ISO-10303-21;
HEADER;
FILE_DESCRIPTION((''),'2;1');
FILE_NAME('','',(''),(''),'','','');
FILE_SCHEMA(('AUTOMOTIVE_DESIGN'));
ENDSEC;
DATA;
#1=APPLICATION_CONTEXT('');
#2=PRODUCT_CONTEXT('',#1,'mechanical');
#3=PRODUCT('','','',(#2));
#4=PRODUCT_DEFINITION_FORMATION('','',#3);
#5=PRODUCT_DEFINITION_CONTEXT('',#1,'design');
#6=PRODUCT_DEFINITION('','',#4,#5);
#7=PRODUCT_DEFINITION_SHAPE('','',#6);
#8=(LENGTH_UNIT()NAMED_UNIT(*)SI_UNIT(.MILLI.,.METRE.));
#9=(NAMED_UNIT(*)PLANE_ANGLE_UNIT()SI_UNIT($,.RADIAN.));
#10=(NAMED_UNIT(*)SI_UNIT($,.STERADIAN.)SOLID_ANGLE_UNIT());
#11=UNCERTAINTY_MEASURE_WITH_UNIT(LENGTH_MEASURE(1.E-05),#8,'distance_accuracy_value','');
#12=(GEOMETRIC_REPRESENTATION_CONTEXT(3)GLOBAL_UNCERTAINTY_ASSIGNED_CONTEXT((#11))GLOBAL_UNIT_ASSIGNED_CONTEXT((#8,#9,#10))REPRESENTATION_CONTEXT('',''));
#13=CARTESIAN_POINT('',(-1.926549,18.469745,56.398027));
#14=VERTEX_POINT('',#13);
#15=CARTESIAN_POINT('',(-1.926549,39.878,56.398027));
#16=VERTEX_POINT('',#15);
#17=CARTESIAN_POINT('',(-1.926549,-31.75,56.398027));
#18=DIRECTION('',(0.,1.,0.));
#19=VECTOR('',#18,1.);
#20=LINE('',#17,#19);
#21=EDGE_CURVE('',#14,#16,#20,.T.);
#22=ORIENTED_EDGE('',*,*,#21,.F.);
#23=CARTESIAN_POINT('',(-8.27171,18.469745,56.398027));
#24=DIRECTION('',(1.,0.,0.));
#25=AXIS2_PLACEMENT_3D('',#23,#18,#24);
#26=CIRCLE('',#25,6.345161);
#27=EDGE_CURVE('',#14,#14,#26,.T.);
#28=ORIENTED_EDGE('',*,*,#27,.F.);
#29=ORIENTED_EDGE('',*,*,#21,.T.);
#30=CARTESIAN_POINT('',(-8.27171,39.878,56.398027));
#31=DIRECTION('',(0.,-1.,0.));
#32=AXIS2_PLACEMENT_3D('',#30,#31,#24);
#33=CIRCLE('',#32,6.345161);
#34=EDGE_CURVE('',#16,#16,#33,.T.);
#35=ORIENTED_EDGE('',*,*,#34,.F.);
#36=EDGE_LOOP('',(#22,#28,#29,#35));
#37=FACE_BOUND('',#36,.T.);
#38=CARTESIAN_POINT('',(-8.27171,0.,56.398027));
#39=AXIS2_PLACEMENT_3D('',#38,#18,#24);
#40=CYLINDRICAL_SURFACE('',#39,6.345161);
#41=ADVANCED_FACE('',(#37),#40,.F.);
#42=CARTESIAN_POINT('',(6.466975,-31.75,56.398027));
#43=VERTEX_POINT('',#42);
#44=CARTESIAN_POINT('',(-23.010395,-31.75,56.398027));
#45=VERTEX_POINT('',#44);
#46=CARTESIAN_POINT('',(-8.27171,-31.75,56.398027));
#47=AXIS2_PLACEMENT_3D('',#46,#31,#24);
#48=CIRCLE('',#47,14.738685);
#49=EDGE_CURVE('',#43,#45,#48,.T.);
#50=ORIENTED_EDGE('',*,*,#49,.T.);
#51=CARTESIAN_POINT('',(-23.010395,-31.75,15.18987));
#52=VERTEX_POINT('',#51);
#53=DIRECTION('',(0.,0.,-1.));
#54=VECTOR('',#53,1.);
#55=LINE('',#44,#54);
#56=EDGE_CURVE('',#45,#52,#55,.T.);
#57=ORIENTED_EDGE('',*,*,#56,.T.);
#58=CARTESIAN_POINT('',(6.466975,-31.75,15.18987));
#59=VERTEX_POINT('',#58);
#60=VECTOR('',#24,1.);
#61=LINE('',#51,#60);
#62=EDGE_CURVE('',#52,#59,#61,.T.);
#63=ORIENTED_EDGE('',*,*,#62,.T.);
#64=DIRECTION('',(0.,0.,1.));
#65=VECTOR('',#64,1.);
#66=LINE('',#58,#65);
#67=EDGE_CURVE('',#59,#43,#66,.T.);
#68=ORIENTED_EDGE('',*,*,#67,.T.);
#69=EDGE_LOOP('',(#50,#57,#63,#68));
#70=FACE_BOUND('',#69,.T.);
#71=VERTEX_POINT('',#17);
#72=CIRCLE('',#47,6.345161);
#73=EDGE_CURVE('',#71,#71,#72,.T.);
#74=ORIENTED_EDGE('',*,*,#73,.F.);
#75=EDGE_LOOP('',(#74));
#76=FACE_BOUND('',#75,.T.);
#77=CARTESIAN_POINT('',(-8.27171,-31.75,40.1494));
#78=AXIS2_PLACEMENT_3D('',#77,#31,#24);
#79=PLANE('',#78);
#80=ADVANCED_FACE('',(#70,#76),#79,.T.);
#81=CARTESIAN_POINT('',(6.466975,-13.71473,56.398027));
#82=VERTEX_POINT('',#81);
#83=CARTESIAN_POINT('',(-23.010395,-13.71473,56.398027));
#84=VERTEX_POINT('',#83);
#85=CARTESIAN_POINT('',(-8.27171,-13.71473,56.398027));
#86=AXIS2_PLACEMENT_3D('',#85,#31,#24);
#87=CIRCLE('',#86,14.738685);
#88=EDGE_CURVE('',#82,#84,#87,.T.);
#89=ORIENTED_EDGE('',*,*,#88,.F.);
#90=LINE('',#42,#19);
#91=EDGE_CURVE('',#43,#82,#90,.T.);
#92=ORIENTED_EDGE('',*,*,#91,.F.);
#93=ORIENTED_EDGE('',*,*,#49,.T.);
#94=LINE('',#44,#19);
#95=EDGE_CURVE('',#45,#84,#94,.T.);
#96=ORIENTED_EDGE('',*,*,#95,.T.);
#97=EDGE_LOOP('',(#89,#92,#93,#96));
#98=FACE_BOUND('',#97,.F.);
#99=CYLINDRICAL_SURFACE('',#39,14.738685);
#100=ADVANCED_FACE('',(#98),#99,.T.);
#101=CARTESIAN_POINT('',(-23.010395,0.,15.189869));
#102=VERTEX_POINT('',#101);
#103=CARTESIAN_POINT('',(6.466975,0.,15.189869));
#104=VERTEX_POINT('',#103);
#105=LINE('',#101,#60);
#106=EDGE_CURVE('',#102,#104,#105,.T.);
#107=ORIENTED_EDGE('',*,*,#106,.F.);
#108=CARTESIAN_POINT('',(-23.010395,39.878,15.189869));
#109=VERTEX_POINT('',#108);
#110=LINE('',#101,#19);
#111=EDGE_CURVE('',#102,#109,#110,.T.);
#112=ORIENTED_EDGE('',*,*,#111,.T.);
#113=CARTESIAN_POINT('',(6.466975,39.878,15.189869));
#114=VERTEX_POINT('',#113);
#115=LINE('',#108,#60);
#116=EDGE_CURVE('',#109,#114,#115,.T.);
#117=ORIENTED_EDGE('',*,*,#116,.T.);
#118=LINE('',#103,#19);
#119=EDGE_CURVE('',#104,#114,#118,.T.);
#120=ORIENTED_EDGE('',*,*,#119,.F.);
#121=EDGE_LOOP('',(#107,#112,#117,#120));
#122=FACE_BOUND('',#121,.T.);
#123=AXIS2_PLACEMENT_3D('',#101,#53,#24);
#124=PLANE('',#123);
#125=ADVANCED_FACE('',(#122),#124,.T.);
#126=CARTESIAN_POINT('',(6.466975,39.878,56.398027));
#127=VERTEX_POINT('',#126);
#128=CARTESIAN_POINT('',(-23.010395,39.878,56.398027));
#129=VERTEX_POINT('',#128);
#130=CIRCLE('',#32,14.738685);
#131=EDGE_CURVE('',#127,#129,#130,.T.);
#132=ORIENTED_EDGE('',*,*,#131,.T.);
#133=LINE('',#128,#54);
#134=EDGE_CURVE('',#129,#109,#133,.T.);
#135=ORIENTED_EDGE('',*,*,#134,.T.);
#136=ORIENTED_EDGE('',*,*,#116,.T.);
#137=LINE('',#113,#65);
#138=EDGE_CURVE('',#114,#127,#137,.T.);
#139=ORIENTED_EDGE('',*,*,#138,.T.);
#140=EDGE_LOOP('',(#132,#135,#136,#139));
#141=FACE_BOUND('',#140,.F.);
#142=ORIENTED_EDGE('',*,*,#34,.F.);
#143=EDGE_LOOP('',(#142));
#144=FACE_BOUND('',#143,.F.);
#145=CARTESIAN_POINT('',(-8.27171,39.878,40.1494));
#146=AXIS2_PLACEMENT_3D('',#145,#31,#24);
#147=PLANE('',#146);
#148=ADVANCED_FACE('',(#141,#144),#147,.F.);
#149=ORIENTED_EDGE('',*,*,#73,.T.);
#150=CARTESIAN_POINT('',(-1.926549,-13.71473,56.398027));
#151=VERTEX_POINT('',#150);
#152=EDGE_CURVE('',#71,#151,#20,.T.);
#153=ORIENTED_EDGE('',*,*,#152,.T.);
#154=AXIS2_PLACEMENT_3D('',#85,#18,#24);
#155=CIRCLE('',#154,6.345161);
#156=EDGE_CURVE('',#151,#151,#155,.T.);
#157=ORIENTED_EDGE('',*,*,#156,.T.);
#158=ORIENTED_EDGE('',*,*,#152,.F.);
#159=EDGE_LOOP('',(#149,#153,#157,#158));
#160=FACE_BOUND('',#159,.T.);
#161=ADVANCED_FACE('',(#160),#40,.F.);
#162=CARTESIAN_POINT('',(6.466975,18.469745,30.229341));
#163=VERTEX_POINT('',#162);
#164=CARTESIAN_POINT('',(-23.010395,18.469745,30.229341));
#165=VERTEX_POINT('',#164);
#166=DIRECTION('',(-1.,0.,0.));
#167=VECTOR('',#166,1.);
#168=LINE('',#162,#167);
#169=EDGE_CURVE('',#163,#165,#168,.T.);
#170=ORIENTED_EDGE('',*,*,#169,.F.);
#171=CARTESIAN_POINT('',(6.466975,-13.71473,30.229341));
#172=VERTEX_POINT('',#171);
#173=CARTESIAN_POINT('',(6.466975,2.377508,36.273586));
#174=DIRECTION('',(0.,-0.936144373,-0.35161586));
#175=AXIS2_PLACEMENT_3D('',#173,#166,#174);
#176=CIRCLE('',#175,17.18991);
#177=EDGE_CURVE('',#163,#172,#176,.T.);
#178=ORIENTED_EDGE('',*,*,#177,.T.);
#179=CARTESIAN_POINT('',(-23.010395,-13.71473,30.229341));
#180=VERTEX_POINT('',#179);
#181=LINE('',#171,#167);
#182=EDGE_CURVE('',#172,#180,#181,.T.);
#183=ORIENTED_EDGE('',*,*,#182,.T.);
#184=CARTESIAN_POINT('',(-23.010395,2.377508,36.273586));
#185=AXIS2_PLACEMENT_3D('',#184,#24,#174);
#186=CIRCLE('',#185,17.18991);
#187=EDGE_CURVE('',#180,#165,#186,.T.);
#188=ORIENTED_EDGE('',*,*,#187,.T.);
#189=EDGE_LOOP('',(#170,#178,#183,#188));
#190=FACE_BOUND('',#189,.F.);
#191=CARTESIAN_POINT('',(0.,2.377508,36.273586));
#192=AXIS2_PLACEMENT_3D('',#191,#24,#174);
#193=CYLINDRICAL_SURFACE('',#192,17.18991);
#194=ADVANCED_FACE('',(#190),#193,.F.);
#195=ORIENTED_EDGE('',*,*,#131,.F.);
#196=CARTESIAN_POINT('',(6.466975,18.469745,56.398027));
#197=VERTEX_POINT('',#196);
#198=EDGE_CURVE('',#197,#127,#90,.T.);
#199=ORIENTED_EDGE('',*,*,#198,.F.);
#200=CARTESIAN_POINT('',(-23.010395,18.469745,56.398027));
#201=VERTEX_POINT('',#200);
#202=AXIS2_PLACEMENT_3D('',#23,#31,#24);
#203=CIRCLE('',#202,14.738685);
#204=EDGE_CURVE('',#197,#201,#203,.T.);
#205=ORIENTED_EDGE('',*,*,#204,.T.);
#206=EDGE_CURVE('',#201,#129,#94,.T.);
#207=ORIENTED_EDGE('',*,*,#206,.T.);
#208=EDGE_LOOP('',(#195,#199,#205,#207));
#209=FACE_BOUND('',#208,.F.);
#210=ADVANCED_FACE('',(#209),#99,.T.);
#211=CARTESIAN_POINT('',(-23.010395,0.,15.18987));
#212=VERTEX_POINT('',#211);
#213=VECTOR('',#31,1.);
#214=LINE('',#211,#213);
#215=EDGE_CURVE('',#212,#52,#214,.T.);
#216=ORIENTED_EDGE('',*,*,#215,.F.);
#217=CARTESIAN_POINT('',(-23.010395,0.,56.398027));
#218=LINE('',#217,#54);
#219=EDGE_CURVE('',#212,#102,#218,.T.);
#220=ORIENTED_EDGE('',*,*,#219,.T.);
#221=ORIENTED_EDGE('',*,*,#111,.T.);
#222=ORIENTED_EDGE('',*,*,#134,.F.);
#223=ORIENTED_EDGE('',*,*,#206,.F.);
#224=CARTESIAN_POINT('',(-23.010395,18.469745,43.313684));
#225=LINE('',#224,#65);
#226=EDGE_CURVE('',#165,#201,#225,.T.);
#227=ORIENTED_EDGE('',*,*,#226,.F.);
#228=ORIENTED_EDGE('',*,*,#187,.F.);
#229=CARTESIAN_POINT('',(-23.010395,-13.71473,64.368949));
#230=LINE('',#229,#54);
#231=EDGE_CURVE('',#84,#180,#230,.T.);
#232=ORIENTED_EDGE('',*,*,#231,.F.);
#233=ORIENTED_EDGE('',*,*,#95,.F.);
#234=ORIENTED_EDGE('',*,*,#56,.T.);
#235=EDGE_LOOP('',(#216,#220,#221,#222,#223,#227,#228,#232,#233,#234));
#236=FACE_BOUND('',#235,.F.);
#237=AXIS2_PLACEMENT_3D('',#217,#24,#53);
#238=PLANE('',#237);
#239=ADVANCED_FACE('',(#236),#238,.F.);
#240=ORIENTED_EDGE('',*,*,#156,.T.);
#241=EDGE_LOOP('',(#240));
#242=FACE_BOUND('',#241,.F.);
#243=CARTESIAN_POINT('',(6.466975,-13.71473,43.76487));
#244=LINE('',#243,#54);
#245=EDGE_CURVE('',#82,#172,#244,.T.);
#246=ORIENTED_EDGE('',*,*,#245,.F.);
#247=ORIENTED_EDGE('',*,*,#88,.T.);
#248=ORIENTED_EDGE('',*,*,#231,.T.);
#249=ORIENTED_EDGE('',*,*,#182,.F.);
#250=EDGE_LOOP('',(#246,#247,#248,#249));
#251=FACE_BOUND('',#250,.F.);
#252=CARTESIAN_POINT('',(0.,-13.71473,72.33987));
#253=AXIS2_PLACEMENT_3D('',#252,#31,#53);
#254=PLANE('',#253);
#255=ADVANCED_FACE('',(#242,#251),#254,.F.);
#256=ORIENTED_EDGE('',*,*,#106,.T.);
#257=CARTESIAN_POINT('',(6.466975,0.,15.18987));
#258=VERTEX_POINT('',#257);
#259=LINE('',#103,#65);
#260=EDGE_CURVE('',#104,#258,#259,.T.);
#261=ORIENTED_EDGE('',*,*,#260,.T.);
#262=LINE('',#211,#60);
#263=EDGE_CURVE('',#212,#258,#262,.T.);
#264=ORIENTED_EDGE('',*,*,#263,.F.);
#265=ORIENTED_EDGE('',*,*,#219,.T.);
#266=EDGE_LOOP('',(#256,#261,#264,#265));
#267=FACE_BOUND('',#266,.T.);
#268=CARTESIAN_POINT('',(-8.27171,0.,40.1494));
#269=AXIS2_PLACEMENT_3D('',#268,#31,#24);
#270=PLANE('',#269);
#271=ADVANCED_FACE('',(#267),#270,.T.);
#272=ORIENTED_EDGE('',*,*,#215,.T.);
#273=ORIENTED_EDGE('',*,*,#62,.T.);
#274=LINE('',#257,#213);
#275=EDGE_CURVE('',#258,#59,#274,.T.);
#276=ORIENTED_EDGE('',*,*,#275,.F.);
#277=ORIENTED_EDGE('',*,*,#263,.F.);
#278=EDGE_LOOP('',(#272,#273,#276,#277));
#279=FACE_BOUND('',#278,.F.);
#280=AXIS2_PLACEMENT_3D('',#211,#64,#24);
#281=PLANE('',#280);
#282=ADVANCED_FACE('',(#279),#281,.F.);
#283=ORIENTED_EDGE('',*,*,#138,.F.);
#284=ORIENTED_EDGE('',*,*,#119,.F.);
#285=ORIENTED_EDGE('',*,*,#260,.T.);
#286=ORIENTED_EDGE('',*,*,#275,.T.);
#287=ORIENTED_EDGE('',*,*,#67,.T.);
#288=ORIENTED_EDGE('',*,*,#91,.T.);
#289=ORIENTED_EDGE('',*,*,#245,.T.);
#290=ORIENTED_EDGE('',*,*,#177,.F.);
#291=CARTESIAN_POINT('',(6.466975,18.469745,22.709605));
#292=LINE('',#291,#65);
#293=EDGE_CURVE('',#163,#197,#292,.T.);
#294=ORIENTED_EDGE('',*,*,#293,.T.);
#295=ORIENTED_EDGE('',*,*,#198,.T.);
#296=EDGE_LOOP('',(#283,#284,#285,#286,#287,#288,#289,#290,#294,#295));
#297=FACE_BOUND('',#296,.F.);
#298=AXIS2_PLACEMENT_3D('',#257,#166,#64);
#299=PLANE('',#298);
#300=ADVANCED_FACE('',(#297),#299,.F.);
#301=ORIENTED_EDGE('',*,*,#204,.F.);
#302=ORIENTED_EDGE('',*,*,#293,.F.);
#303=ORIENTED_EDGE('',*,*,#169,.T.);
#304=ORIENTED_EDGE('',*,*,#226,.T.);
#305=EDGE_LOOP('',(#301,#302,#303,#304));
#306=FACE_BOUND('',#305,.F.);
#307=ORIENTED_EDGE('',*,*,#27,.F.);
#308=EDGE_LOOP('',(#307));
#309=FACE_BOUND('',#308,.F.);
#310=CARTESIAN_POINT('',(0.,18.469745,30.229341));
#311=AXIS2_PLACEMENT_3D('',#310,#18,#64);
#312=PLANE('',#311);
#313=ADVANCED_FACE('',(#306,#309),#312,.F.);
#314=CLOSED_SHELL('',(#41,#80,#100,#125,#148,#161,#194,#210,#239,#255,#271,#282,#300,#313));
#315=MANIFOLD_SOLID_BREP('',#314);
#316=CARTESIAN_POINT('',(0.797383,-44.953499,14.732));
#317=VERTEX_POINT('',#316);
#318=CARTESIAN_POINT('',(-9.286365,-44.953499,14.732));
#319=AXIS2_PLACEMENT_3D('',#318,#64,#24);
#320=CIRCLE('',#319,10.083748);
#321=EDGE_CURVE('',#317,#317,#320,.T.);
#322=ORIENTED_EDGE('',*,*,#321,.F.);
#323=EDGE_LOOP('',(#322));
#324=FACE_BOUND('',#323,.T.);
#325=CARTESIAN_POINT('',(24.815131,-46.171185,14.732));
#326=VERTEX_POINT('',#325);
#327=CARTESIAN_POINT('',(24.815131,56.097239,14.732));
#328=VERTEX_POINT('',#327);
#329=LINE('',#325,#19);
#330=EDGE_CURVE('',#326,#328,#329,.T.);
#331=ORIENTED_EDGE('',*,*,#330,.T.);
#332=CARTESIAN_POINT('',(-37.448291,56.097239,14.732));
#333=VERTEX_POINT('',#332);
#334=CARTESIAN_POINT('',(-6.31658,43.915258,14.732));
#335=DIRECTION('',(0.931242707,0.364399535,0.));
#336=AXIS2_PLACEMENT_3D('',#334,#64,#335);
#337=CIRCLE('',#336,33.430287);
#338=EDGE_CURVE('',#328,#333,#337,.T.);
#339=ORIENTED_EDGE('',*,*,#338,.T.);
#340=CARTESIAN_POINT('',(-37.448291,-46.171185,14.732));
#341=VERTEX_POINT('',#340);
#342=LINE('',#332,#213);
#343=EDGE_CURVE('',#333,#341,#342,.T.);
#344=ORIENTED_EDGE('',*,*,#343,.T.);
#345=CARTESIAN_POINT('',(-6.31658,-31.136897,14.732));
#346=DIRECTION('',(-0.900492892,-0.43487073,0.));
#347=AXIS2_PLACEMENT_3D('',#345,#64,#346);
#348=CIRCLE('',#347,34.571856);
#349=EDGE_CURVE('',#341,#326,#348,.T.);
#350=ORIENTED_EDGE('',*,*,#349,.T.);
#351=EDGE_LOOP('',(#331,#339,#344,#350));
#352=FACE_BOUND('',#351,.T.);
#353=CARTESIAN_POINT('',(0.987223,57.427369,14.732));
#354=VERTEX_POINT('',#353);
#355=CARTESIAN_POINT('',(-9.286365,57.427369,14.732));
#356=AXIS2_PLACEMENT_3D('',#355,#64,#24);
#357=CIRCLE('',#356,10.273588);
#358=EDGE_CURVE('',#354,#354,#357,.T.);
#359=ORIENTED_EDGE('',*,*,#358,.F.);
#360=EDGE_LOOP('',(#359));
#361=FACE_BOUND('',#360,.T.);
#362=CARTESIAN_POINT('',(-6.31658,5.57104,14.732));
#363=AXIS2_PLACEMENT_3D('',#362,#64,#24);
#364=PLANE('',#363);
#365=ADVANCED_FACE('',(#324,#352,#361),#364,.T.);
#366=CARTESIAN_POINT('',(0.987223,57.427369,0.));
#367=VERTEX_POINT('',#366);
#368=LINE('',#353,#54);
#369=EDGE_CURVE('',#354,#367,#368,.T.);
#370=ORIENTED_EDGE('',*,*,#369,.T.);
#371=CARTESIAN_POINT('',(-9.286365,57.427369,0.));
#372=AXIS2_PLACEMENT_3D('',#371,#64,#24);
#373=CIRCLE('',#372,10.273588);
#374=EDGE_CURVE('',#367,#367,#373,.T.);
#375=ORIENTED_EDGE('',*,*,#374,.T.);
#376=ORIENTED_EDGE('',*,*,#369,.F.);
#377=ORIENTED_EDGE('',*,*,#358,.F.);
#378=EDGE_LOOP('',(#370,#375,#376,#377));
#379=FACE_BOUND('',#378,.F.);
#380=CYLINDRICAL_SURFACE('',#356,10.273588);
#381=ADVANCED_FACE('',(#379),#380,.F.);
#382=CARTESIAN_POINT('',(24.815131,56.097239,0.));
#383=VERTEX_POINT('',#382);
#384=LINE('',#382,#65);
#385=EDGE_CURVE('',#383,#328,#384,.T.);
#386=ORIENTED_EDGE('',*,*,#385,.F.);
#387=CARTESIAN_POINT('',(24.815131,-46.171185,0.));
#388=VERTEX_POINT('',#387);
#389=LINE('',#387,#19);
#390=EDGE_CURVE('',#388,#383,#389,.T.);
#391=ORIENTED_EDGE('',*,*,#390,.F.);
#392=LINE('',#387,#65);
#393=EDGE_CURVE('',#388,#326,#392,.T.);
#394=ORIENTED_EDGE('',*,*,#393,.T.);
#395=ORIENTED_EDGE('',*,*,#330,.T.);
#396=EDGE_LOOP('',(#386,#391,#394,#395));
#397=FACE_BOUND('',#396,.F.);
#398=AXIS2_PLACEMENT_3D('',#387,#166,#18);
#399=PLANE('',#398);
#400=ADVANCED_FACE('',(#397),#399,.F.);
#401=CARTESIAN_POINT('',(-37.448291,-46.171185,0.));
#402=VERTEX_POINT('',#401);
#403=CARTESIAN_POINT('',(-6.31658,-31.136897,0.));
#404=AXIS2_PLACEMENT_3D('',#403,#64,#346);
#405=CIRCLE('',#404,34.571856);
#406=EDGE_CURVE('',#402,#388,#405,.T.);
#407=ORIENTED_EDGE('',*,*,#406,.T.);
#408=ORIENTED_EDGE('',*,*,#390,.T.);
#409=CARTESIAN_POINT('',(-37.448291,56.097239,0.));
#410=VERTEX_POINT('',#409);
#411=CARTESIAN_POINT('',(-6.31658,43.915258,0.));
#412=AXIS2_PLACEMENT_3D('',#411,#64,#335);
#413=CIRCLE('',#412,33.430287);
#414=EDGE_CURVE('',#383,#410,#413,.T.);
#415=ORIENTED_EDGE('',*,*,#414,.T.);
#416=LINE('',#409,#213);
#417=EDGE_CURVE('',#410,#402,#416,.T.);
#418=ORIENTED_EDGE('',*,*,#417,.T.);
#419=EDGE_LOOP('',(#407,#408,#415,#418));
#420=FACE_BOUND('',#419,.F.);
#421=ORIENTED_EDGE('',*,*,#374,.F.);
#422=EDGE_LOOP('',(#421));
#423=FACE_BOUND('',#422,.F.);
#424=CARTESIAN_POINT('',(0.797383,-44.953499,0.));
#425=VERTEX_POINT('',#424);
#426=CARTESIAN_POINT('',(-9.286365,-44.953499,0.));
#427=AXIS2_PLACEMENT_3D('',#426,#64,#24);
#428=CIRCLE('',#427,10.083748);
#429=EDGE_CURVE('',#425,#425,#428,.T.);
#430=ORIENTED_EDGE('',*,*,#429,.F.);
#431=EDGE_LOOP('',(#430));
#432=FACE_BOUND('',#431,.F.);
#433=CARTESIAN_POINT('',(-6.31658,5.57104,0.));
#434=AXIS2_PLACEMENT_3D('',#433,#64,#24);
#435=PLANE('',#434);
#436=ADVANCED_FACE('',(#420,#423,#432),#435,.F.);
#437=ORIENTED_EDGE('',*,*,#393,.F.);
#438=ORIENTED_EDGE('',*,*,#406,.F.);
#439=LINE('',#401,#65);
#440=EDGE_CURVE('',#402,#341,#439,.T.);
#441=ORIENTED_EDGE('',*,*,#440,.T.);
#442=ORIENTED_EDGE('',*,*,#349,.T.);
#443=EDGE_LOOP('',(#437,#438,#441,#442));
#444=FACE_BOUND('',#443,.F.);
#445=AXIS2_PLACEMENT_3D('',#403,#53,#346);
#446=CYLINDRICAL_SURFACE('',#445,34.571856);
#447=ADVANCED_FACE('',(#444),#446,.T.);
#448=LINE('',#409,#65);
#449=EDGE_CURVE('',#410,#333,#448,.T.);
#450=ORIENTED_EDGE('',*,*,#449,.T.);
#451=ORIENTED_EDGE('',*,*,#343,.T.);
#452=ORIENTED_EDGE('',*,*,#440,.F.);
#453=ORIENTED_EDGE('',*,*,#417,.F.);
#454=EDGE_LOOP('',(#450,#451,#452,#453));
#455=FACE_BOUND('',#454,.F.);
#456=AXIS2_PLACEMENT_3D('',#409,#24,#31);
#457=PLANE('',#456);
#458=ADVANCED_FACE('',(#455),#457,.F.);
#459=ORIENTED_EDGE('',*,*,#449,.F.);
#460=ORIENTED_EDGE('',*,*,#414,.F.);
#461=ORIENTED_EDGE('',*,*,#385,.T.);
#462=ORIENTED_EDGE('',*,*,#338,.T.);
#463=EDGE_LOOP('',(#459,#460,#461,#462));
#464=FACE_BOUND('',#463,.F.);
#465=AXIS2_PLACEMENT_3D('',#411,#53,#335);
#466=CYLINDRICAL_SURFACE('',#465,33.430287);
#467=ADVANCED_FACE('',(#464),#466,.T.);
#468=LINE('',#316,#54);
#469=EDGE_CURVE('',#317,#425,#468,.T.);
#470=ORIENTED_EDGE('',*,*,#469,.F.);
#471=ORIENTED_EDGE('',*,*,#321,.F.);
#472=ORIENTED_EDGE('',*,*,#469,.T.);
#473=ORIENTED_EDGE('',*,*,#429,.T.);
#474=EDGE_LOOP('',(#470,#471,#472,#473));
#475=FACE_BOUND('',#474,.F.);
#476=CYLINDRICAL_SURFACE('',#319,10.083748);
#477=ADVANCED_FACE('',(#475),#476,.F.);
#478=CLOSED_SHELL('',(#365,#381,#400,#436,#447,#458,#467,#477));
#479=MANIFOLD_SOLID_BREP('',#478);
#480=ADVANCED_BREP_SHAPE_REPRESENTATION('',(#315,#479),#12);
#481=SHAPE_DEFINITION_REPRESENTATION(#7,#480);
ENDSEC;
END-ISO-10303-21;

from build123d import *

# Parameters (mm, degrees)
F1_DEPTH  = 14.732
F2_R      = 6.345161
F3_DEPTH  = 39.878
F3_FACE_R = 6.345161
F4_DEPTH  = 31.75
F5_R      = 10.083748
F6_DEPTH  = 14.733
F5_R_2    = 10.273588
F7_DEPTH  = 14.733
F9_DEPTH  = 37.449291
F10_DEPTH = 47.244


with BuildPart() as f1:
    # F0 (on Top) → F1 (new body)
    with BuildSketch(Plane.XY):
        with BuildLine():
            ThreePointArc((24.815131, 56.097239), (-6.31658, 77.345545), (-37.448291, 56.097239))
            Line((-37.448291, 56.097239), (-37.448291, -46.171185))
            ThreePointArc((-37.448291, -46.171185), (-6.31658, -65.708753), (24.815131, -46.171185))
            Line((24.815131, -46.171185), (24.815131, 56.097239))
        make_face()
    extrude(amount=F1_DEPTH)

    # F5 (on face) → F6 (cut, through all)
    with BuildSketch(Plane.XY.offset(14.732)):
        with Locations((-9.286365, -44.953499)):
            Circle(F5_R)
    extrude(amount=-F6_DEPTH, mode=Mode.SUBTRACT)

    # F5 (on face) → F7 (cut, through all)
    with BuildSketch(Plane.XY.offset(14.732)):
        with Locations((-9.286365, 57.427369)):
            Circle(F5_R_2)
    extrude(amount=-F7_DEPTH, mode=Mode.SUBTRACT)


with BuildPart() as f3:
    # F2 (on Front) → F3 (new body)
    with BuildSketch(Plane.XZ):
        with BuildLine():
            Line((-23.010395, 56.398027), (-23.010395, 15.189869))
            Line((-23.010395, 15.189869), (6.466975, 15.189869))
            Line((6.466975, 15.189869), (6.466975, 56.398027))
            ThreePointArc((6.466975, 56.398027), (-8.27171, 71.136712), (-23.010395, 56.398027))
        make_face()
        with Locations((-8.27171, 56.398027)):
            Circle(F2_R, mode=Mode.SUBTRACT)
    extrude(amount=-F3_DEPTH)

    # F3_face (on face) → F4 (join)
    with BuildSketch(Plane(origin=(-8.27171, 0, 40.38239), x_dir=(1, 0, 0), z_dir=(0, -1, 0))):
        with BuildLine():
            Line((-14.738685, 16.015637), (-14.738685, -25.19252))
            Line((-14.738685, -25.19252), (14.738685, -25.19252))
            Line((14.738685, -25.19252), (14.738685, 16.015637))
            ThreePointArc((14.738685, 16.015637), (0, 30.754322), (-14.738685, 16.015637))
        make_face()
        with Locations((0, 16.015637)):
            Circle(F3_FACE_R, mode=Mode.SUBTRACT)
    extrude(amount=F4_DEPTH)

    # F8 (on Right) → F9 (cut, through all)
    with BuildSketch(Plane.YZ):
        with BuildLine():
            Line((18.469745, 72.33987), (-13.71473, 72.33987))
            Line((-13.71473, 72.33987), (-13.71473, 30.229341))
            ThreePointArc((-13.71473, 30.229341), (2.377508, 19.083676), (18.469745, 30.229341))
            Line((18.469745, 30.229341), (18.469745, 72.33987))
        make_face()
    extrude(amount=-F9_DEPTH, mode=Mode.SUBTRACT)

    # F8 (on Right) → F10 (cut)
    with BuildSketch(Plane.YZ):
        with BuildLine():
            Line((18.469745, 72.33987), (-13.71473, 72.33987))
            Line((-13.71473, 72.33987), (-13.71473, 30.229341))
            ThreePointArc((-13.71473, 30.229341), (2.377508, 19.083676), (18.469745, 30.229341))
            Line((18.469745, 30.229341), (18.469745, 72.33987))
        make_face()
    extrude(amount=F10_DEPTH, mode=Mode.SUBTRACT)


solid = Compound([f1.part, f3.part])
